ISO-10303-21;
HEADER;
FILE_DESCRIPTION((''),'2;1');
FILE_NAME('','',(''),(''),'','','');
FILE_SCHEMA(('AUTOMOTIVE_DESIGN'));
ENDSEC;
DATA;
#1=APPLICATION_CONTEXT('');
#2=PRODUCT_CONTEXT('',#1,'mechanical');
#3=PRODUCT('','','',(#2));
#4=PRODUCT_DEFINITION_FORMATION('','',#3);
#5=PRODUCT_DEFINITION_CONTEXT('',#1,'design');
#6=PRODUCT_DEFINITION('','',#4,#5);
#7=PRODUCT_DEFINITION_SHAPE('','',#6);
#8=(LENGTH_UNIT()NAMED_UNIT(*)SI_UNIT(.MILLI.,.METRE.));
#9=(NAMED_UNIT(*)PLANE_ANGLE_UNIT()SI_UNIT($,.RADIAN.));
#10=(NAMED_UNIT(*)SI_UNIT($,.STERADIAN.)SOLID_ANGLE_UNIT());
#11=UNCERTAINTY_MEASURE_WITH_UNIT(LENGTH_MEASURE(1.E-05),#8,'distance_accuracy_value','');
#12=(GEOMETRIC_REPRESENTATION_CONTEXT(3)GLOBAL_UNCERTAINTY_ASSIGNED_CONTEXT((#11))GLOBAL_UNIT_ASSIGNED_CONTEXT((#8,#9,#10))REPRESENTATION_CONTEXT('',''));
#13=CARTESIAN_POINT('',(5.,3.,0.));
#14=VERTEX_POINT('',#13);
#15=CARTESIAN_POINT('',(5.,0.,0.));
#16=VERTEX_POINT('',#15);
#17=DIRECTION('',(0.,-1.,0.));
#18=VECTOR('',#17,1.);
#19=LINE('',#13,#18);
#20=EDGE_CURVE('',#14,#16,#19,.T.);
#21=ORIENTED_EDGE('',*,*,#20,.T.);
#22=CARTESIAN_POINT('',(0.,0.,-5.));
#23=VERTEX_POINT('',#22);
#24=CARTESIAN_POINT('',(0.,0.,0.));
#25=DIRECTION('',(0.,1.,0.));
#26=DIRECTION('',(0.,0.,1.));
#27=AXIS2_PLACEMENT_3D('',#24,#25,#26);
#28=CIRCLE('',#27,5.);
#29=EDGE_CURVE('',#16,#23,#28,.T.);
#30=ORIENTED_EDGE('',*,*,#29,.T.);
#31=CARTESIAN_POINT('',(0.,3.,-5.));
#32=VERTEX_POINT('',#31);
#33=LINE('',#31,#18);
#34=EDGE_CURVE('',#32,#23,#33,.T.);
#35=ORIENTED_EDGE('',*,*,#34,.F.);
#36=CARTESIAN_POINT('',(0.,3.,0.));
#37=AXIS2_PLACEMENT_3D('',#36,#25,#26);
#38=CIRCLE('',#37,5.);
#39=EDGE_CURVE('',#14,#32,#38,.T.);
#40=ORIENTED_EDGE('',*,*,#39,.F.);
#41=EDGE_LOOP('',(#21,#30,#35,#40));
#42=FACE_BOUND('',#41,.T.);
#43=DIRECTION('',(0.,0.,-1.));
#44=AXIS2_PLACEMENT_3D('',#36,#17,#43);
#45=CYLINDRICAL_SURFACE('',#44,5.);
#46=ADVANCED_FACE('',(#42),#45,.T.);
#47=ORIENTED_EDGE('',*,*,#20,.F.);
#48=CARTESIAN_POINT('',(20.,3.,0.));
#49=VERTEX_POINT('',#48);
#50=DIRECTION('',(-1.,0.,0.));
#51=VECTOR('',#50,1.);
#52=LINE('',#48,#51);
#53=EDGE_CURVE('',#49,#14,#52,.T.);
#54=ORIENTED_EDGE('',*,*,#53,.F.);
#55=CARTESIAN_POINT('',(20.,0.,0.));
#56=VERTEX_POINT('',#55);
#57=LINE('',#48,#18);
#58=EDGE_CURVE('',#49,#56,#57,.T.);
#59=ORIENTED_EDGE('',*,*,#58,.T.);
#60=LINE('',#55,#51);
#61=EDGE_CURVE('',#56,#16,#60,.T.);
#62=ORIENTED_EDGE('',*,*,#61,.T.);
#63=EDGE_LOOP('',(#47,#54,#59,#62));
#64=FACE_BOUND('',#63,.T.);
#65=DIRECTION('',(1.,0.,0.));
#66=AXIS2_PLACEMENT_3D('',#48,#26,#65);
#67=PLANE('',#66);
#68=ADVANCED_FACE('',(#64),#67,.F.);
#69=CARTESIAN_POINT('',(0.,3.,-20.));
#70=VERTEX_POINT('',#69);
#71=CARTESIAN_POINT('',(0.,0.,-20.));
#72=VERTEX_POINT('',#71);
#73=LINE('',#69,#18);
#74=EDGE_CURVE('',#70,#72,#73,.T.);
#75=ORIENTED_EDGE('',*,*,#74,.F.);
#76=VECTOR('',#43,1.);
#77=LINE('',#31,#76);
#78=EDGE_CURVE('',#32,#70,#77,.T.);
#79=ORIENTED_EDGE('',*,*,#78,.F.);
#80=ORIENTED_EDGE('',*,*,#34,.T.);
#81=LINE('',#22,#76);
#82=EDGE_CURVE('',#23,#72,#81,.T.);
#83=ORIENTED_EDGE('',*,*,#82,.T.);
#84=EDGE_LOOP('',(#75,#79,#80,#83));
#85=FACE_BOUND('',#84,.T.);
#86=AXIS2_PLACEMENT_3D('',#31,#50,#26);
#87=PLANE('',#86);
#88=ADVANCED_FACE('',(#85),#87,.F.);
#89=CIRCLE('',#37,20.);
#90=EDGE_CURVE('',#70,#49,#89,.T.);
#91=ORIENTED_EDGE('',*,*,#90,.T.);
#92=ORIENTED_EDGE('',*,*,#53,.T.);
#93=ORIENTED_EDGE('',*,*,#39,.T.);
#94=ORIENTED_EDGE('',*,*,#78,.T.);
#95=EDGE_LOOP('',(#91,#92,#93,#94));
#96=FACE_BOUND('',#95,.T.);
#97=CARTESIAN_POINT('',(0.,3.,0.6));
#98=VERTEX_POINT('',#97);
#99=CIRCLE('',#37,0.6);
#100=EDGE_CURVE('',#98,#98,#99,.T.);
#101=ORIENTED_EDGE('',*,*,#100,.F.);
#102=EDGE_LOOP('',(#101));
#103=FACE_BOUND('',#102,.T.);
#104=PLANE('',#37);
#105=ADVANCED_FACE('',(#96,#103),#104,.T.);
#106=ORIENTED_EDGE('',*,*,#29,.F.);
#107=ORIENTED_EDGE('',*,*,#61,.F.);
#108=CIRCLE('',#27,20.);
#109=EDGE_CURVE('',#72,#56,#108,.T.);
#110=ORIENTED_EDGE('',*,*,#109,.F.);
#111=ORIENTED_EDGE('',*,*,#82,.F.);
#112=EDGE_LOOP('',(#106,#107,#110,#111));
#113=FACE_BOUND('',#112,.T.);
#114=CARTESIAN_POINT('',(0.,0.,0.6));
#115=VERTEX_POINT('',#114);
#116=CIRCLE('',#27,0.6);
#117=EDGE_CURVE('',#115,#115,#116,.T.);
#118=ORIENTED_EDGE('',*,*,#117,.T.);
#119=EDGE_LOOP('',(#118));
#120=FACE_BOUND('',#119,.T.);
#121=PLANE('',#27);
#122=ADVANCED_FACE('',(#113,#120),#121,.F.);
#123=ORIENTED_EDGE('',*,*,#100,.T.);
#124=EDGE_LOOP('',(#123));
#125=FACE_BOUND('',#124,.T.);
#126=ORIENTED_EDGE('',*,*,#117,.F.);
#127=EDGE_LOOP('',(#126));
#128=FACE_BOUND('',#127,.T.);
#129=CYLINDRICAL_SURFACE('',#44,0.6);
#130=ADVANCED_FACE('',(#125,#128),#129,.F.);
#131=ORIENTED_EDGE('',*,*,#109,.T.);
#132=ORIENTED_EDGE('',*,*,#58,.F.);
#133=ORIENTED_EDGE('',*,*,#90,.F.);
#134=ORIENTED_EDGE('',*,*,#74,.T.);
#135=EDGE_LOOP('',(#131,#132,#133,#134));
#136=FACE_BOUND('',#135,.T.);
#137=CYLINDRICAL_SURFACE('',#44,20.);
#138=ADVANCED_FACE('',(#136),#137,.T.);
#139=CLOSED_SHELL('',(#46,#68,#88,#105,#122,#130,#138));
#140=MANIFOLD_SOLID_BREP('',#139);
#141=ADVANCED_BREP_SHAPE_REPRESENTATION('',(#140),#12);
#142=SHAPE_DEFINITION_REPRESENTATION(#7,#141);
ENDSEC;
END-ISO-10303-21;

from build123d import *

# Parameters (mm, degrees)
SKETCH_1_R      = 0.6
EXTRUDE_1_DEPTH = 3


with BuildPart() as part:
    # 草图1 → 凸台-拉伸1 (new body)
    with BuildSketch(Plane(origin=(0, 0, 0), x_dir=(1, 0, 0), z_dir=(0, 1, 0))):
        with BuildLine():
            Line((0, 5), (0, 20))
            ThreePointArc((0, 20), (-14.142135624, -14.142135624), (20, 0))
            Line((20, 0), (5, 0))
            ThreePointArc((5, 0), (3.535533906, 3.535533906), (0, 5))
        make_face()
        Circle(SKETCH_1_R, mode=Mode.SUBTRACT)
    extrude(amount=EXTRUDE_1_DEPTH)


solid = part.part
